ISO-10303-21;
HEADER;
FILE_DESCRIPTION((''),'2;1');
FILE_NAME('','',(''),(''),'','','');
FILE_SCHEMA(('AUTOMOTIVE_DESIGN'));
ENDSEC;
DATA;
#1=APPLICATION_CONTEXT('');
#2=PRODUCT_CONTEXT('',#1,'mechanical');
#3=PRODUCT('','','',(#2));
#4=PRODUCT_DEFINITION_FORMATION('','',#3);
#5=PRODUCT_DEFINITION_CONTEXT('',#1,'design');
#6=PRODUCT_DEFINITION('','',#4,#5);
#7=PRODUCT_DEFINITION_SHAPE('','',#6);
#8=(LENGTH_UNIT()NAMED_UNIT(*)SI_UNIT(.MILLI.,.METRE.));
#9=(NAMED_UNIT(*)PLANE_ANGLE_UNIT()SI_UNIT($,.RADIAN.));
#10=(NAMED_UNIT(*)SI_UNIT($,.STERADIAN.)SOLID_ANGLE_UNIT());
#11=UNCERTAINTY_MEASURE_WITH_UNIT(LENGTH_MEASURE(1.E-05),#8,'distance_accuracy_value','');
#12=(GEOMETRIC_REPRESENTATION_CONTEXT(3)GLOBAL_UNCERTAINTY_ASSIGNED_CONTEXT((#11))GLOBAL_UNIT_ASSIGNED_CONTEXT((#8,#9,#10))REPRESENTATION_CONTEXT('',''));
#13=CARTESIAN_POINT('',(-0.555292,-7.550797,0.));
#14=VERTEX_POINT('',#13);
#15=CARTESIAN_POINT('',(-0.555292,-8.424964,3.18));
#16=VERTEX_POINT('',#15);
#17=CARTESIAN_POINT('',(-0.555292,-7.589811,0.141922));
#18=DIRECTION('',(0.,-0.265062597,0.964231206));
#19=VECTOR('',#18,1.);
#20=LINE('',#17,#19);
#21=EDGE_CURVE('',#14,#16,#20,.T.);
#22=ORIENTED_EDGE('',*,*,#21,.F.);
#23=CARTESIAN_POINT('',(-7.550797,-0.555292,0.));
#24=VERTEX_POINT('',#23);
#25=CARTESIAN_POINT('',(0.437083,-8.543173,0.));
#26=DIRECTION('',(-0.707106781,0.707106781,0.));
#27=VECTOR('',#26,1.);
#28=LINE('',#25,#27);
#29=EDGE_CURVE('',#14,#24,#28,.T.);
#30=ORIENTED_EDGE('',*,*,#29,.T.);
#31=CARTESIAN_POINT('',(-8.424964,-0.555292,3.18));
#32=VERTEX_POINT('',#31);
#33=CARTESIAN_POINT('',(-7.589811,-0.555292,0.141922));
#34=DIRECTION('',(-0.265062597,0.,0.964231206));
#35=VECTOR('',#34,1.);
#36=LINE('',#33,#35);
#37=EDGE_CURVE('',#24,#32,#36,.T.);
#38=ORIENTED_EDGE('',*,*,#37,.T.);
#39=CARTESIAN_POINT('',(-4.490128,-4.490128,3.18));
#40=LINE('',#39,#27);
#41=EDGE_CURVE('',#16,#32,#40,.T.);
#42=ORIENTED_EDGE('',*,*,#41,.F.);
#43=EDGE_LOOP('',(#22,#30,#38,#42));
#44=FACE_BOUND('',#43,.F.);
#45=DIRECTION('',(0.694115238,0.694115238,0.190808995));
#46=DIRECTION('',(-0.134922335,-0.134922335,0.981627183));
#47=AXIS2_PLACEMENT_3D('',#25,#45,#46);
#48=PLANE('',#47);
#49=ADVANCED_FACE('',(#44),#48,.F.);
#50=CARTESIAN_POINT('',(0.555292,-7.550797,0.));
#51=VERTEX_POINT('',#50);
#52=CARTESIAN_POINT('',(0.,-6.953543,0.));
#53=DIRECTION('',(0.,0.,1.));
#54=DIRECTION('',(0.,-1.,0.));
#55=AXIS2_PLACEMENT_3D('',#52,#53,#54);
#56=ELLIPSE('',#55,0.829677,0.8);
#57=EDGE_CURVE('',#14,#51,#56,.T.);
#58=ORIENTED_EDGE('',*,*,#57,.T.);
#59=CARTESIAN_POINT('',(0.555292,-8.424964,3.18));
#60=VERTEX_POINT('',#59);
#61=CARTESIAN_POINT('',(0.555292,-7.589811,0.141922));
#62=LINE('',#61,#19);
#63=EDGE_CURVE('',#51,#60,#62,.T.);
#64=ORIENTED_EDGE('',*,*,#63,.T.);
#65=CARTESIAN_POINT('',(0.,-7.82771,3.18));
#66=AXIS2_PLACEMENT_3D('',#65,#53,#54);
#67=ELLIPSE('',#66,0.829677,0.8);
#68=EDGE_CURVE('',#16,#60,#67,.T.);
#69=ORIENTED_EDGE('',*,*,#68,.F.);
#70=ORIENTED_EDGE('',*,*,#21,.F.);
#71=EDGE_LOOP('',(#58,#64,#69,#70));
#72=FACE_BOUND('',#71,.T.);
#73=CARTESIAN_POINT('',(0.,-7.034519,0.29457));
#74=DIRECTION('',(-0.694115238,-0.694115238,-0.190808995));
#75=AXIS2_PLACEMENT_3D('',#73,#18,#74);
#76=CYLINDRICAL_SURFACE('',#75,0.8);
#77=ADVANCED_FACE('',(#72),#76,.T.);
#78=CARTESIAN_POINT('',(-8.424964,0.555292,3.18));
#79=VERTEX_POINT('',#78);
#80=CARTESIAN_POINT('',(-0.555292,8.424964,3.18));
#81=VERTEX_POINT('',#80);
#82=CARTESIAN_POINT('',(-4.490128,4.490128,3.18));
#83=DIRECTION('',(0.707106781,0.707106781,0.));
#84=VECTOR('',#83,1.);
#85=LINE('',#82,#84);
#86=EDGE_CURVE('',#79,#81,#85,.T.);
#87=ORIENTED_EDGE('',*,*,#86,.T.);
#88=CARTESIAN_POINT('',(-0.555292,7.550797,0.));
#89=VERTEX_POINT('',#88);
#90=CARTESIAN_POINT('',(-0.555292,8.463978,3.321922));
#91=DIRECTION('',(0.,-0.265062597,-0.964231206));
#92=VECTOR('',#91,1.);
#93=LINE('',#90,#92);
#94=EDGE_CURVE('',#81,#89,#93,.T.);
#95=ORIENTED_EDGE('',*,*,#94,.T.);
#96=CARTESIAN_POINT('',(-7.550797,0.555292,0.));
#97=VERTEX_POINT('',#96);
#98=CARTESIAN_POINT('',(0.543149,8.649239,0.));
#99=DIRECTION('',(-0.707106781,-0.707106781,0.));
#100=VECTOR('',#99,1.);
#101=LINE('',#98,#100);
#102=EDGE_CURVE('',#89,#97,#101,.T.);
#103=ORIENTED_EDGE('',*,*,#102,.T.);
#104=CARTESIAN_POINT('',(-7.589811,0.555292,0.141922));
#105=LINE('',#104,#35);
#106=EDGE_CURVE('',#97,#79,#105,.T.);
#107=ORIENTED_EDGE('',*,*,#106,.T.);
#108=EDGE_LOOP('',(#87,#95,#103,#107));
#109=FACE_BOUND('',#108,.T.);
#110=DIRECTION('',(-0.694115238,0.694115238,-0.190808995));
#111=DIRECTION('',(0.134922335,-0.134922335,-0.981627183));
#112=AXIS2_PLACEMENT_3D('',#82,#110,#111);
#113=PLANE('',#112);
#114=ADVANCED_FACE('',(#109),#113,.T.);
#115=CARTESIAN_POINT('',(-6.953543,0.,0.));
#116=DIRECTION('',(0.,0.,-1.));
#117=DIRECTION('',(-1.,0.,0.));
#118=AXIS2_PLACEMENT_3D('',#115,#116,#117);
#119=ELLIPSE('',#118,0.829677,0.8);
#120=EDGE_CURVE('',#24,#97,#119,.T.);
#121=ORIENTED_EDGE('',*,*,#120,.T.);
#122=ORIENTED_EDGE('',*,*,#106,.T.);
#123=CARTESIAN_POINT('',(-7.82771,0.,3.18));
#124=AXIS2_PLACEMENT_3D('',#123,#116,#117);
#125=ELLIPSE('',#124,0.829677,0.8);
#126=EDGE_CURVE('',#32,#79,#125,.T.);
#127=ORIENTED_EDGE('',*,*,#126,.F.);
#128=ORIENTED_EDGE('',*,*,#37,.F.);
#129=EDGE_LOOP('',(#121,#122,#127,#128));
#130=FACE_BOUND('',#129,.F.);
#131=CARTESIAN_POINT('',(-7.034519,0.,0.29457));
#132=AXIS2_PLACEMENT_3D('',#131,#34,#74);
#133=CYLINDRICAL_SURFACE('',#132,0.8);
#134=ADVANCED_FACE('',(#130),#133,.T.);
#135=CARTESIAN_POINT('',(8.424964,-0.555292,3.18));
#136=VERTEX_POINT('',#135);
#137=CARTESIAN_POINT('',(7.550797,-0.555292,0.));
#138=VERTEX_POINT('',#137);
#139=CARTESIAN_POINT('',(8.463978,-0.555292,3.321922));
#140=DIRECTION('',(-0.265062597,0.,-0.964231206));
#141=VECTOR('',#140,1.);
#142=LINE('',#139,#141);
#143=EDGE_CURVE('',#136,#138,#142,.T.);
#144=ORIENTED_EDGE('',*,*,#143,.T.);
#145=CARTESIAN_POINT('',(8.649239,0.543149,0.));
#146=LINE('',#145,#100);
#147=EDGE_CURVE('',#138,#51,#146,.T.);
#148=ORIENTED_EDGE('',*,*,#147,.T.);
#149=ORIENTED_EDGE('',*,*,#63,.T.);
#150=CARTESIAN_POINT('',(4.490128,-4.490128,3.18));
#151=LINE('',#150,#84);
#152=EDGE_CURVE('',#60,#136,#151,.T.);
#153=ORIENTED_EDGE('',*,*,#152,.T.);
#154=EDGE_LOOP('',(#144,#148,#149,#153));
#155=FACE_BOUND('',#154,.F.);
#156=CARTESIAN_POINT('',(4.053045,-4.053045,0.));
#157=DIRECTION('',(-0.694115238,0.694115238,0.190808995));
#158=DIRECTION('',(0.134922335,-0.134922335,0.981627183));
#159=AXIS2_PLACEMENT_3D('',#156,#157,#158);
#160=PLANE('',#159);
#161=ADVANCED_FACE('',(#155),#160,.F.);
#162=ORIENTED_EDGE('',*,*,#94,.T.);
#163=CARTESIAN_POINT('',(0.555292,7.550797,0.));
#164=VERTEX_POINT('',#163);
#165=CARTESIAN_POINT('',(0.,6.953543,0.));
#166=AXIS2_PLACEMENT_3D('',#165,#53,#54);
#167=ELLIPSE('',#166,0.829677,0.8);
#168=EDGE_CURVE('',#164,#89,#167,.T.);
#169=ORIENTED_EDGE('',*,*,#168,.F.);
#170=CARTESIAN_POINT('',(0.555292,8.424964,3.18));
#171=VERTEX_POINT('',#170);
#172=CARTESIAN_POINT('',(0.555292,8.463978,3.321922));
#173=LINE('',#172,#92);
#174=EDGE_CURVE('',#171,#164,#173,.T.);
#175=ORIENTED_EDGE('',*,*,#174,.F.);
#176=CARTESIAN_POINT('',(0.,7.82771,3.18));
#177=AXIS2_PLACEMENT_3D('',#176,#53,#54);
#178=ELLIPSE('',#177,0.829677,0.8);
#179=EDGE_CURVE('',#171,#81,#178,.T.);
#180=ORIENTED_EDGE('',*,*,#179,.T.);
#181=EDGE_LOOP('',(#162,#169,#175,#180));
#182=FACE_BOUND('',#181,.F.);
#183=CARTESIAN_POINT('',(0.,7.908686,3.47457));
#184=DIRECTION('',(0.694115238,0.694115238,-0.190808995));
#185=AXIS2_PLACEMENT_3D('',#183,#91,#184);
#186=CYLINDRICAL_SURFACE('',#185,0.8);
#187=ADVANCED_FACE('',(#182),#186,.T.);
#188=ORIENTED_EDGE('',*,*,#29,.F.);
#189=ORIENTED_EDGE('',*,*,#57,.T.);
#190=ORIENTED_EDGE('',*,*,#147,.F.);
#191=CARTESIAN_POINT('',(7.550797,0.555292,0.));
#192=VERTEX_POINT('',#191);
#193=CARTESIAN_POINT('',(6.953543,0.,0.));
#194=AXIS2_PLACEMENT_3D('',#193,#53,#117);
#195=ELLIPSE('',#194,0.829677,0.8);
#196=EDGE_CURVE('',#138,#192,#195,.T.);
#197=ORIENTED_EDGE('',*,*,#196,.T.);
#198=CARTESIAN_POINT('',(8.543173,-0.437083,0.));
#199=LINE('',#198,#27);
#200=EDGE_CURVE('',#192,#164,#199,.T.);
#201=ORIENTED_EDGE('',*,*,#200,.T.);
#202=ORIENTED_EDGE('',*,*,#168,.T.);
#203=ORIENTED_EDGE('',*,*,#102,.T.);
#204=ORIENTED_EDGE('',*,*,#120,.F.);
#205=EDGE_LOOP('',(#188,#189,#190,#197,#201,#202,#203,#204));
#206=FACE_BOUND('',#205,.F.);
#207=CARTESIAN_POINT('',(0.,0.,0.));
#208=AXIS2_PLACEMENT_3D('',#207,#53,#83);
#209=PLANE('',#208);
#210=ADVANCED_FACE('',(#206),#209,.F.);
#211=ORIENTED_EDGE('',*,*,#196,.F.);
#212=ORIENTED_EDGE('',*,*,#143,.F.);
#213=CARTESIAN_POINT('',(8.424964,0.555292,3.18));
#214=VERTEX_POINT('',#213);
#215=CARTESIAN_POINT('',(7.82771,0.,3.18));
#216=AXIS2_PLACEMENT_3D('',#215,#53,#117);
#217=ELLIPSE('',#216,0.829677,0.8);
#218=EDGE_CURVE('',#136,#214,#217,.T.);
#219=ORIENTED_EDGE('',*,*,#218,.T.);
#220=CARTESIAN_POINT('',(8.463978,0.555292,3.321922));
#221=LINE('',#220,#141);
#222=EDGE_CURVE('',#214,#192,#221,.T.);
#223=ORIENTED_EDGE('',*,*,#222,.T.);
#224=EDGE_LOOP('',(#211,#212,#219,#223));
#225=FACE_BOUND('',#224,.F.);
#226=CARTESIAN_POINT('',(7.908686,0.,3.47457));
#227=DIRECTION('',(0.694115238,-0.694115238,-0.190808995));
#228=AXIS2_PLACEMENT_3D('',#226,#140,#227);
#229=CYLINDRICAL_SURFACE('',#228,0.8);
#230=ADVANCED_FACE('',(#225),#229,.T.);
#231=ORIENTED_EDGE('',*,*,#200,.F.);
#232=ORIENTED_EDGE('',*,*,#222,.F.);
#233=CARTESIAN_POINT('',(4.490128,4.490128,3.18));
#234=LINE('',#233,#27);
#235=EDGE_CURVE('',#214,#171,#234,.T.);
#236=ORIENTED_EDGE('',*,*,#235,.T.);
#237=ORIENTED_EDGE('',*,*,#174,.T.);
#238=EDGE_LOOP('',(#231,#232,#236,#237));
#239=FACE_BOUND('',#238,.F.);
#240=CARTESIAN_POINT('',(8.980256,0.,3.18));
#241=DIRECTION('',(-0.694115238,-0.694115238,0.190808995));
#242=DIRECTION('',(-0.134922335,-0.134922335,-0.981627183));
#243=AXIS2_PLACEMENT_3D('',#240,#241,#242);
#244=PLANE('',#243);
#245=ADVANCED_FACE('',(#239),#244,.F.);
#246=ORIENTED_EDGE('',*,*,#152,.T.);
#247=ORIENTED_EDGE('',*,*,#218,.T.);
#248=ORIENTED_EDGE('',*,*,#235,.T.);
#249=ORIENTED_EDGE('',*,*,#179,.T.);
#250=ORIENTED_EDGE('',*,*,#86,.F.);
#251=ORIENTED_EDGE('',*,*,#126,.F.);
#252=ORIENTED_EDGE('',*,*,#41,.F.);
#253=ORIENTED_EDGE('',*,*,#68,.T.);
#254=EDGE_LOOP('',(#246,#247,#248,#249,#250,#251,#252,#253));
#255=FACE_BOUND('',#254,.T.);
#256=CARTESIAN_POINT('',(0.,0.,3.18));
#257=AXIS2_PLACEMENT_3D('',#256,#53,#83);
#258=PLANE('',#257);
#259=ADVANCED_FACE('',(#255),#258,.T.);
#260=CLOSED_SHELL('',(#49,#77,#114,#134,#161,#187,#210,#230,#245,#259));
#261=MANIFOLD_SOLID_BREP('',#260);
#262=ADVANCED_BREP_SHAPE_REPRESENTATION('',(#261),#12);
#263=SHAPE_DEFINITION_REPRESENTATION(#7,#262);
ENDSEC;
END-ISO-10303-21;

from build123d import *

# Parameters (mm, degrees)
F0_W     = 12.7
F0_H     = 12.7
F1_DEPTH = 3.18
F3_DEPTH = 12.701
F5_DEPTH = 6.5
F6_R     = 0.8
F7_ANGLE = 45


with BuildPart() as f1:
    # F0 (on Top) → F1 (new body)
    with BuildSketch(Plane.XY):
        Rectangle(F0_W, F0_H)
    extrude(amount=F1_DEPTH)

    # F2 (on face) → F3 (cut, through all)
    with BuildSketch(Plane.XZ.offset(6.35)):
        Polygon((6.35, 0), (6.35, 3.18), (5.7318706169, 0), align=None)
        Polygon((-5.7318706169, 0), (-6.35, 3.18), (-6.35, 0), align=None)
    extrude(amount=-F3_DEPTH, mode=Mode.SUBTRACT)

    # F4 (on Right) → F5 (cut, symmetric)
    with BuildSketch(Plane.YZ):
        Polygon((6.35, 0), (6.35, 3.18), (5.7318706169, 0), align=None)
        Polygon((-5.7318706169, 0), (-6.35, 3.18), (-6.35, 0), align=None)
    extrude(amount=F5_DEPTH, both=True, mode=Mode.SUBTRACT)

    # F6
    f6_edges = [f1.edges().sort_by_distance(p)[0] for p in [
        (6.040935, -6.040935, 1.59),
        (-6.040935, -6.040935, 1.59),
        (6.040935, 6.040935, 1.59),
        (-6.040935, 6.040935, 1.59),
    ]]
    fillet(f6_edges, radius=F6_R)


with BuildPart() as f1_1:
    # F7: moved
    add(f1.part.rotate(Axis((0, 0, 0.6975659635), (0, 0, 1)), F7_ANGLE))


solid = f1_1.part
